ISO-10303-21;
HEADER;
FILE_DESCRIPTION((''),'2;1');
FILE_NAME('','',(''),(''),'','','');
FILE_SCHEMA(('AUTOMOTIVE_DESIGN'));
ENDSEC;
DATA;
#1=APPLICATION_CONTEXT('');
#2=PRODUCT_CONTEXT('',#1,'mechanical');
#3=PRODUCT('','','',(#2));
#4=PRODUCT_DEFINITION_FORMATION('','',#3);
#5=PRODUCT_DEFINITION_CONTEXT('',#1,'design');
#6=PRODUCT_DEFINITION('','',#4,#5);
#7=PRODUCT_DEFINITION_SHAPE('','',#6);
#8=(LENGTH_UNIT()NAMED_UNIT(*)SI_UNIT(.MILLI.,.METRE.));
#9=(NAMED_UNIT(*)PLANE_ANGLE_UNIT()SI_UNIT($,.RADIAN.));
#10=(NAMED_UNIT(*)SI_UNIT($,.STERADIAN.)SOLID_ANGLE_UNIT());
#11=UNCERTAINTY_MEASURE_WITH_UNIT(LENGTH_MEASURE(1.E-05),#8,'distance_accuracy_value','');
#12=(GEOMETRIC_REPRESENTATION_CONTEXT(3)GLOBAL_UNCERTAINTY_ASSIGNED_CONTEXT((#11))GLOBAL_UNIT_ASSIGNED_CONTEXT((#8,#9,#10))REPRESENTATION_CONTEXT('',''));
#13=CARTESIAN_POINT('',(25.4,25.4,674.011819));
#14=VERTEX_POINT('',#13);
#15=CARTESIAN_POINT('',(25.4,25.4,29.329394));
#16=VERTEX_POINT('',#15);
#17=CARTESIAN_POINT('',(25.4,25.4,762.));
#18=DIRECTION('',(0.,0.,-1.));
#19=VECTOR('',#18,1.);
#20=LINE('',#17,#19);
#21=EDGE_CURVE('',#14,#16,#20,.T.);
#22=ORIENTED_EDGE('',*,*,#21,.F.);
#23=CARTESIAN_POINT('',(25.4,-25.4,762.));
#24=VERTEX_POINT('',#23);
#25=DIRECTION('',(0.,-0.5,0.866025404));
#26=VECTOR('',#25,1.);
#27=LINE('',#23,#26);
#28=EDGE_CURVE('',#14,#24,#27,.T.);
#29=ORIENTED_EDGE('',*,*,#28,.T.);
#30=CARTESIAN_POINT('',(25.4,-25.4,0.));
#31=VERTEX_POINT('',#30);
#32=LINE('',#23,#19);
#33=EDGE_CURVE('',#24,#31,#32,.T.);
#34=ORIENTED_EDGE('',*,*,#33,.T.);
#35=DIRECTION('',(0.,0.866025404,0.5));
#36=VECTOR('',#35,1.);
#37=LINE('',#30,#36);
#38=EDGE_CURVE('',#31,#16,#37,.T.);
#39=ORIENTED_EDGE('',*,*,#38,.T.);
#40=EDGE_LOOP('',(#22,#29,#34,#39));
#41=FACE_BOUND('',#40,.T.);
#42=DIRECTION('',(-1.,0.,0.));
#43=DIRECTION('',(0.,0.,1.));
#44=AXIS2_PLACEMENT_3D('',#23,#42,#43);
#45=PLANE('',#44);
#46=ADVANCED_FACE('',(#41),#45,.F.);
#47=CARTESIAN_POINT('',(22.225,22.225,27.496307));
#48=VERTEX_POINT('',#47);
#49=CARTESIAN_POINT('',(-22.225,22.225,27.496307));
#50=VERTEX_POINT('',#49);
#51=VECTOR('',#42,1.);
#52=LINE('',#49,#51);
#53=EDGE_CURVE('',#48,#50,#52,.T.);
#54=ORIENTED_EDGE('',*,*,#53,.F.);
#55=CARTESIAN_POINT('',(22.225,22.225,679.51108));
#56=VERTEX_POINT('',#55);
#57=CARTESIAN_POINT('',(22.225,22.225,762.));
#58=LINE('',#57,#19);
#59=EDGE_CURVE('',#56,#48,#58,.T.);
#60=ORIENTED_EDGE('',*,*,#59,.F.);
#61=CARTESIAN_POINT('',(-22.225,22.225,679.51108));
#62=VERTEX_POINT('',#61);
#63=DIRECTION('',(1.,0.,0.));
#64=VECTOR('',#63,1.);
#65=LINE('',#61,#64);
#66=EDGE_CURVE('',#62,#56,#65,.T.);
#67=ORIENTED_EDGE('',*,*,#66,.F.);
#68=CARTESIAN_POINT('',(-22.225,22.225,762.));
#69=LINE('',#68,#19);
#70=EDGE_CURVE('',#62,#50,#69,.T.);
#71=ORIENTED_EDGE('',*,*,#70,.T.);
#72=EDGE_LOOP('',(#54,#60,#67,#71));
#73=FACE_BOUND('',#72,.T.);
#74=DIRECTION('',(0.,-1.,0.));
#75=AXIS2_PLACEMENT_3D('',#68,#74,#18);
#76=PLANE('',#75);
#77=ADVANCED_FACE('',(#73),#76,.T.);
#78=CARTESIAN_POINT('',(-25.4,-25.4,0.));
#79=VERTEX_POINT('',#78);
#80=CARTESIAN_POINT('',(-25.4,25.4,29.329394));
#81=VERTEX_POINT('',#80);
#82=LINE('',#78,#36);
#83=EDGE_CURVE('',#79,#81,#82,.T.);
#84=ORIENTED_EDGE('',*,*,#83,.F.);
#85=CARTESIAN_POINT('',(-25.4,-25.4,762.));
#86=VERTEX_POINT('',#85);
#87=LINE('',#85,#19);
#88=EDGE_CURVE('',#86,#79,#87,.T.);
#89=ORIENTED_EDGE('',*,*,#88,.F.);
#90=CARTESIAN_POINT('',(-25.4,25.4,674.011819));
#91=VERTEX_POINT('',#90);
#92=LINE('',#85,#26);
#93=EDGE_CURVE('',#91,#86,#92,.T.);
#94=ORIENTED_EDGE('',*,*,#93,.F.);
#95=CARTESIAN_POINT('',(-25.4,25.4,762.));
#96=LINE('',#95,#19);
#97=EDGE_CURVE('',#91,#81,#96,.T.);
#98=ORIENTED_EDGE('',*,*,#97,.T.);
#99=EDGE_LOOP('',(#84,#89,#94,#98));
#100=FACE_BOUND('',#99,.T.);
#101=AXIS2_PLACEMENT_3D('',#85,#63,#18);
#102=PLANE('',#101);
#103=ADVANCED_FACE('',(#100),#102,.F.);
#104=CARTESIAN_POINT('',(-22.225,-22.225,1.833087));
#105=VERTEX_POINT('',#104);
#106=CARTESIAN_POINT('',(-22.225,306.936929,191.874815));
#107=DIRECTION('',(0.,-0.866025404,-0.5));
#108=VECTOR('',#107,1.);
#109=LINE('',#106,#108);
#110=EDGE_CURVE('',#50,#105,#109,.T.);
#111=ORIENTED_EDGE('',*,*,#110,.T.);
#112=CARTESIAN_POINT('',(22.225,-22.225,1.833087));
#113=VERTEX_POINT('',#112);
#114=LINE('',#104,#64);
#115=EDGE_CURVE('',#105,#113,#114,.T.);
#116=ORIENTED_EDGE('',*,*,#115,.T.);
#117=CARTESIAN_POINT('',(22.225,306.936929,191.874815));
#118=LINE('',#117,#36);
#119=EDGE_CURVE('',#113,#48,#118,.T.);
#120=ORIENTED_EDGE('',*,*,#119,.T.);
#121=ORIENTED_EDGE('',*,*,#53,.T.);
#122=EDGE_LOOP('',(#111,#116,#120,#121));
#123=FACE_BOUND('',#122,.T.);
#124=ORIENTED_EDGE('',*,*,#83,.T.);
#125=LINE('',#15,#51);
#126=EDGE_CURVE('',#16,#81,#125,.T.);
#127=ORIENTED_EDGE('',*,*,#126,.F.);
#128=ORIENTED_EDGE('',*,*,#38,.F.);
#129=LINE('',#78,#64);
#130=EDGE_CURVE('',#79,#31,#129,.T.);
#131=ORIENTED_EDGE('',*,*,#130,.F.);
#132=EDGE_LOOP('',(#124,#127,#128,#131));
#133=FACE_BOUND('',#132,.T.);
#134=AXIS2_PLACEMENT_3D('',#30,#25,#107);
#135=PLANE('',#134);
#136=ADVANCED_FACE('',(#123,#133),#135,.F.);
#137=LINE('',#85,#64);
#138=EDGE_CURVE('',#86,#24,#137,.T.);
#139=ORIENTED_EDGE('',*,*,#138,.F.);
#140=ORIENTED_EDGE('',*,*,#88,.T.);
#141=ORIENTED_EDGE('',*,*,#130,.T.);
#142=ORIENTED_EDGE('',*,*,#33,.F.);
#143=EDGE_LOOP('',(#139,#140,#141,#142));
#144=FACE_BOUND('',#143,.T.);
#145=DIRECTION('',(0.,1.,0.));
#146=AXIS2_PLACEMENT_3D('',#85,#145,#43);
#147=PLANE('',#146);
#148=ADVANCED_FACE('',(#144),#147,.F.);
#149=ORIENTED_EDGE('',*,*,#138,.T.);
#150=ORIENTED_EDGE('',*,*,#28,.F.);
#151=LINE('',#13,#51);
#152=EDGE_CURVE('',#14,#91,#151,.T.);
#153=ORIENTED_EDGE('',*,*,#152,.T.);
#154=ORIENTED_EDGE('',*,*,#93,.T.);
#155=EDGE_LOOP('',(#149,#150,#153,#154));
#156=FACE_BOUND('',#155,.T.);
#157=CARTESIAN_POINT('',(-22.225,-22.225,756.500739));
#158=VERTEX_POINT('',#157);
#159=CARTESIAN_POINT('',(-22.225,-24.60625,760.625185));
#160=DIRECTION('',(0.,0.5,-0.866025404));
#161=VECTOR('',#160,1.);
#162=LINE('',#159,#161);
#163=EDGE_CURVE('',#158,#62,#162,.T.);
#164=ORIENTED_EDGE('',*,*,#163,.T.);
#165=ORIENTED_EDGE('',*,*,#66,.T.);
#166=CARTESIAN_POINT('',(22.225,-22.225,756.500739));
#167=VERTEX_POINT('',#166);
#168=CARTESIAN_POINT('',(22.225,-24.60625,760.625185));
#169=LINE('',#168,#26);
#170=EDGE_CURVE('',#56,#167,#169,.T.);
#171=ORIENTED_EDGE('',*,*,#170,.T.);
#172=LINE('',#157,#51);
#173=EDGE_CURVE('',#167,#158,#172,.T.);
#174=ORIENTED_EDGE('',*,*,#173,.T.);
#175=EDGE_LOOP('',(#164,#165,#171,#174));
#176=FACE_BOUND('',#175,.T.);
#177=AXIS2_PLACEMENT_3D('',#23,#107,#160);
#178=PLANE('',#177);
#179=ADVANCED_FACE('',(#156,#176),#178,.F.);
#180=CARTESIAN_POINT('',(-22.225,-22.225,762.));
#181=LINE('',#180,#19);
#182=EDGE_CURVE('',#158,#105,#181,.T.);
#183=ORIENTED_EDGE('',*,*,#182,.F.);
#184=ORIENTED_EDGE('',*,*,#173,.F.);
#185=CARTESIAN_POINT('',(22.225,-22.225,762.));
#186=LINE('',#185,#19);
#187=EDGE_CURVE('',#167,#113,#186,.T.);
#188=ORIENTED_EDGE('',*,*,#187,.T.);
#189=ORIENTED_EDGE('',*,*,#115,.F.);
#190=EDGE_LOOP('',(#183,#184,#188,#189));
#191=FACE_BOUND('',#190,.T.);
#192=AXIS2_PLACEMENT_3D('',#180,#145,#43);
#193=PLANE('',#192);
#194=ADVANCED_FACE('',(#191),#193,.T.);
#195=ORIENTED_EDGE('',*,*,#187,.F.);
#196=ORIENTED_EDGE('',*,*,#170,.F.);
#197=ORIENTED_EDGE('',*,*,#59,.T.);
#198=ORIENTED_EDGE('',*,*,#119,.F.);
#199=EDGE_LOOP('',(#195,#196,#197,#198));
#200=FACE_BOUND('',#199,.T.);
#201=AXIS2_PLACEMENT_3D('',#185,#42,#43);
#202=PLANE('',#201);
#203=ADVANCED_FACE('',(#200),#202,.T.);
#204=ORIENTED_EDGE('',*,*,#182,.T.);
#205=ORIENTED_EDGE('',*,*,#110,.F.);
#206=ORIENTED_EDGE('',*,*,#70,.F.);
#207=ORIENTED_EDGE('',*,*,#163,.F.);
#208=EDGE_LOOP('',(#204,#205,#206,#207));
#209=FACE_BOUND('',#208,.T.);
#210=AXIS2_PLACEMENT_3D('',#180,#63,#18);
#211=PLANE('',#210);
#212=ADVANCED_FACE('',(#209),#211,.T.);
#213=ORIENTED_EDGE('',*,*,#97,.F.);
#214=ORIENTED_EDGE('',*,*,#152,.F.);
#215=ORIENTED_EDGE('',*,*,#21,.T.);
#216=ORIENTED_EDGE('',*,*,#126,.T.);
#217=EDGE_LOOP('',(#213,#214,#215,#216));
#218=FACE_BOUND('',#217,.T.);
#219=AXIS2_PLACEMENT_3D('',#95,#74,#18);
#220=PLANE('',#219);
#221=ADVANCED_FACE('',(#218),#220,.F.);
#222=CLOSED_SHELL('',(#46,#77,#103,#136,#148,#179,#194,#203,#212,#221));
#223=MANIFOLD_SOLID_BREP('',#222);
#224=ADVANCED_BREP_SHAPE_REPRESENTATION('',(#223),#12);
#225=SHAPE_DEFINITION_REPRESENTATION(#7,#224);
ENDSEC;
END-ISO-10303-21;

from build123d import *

# Parameters (mm, degrees)
SKETCH1_W           = 50.8
SKETCH1_H           = 50.8
SKETCH1_W_2         = 44.45
SKETCH1_H_2         = 44.45
BOSS_EXTRUDE1_DEPTH = 762
CUT_EXTRUDE1_DEPTH  = 765.11373499


with BuildPart() as part:
    # Sketch1 → Boss-Extrude1 (new body)
    with BuildSketch(Plane.XY):
        Rectangle(SKETCH1_W, SKETCH1_H)
        Rectangle(SKETCH1_W_2, SKETCH1_H_2, mode=Mode.SUBTRACT)
    extrude(amount=BOSS_EXTRUDE1_DEPTH)

    # Sketch2 → Cut-Extrude1 (cut, through all)
    with BuildSketch(Plane.ZY.offset(25.4)):
        Polygon((0, -25.4), (29.329393675, 25.4), (0, 25.4), align=None)
        Polygon((762, -25.4), (674.011818975, 25.4), (762, 25.4), align=None)
    extrude(amount=-CUT_EXTRUDE1_DEPTH, mode=Mode.SUBTRACT)


solid = part.part
